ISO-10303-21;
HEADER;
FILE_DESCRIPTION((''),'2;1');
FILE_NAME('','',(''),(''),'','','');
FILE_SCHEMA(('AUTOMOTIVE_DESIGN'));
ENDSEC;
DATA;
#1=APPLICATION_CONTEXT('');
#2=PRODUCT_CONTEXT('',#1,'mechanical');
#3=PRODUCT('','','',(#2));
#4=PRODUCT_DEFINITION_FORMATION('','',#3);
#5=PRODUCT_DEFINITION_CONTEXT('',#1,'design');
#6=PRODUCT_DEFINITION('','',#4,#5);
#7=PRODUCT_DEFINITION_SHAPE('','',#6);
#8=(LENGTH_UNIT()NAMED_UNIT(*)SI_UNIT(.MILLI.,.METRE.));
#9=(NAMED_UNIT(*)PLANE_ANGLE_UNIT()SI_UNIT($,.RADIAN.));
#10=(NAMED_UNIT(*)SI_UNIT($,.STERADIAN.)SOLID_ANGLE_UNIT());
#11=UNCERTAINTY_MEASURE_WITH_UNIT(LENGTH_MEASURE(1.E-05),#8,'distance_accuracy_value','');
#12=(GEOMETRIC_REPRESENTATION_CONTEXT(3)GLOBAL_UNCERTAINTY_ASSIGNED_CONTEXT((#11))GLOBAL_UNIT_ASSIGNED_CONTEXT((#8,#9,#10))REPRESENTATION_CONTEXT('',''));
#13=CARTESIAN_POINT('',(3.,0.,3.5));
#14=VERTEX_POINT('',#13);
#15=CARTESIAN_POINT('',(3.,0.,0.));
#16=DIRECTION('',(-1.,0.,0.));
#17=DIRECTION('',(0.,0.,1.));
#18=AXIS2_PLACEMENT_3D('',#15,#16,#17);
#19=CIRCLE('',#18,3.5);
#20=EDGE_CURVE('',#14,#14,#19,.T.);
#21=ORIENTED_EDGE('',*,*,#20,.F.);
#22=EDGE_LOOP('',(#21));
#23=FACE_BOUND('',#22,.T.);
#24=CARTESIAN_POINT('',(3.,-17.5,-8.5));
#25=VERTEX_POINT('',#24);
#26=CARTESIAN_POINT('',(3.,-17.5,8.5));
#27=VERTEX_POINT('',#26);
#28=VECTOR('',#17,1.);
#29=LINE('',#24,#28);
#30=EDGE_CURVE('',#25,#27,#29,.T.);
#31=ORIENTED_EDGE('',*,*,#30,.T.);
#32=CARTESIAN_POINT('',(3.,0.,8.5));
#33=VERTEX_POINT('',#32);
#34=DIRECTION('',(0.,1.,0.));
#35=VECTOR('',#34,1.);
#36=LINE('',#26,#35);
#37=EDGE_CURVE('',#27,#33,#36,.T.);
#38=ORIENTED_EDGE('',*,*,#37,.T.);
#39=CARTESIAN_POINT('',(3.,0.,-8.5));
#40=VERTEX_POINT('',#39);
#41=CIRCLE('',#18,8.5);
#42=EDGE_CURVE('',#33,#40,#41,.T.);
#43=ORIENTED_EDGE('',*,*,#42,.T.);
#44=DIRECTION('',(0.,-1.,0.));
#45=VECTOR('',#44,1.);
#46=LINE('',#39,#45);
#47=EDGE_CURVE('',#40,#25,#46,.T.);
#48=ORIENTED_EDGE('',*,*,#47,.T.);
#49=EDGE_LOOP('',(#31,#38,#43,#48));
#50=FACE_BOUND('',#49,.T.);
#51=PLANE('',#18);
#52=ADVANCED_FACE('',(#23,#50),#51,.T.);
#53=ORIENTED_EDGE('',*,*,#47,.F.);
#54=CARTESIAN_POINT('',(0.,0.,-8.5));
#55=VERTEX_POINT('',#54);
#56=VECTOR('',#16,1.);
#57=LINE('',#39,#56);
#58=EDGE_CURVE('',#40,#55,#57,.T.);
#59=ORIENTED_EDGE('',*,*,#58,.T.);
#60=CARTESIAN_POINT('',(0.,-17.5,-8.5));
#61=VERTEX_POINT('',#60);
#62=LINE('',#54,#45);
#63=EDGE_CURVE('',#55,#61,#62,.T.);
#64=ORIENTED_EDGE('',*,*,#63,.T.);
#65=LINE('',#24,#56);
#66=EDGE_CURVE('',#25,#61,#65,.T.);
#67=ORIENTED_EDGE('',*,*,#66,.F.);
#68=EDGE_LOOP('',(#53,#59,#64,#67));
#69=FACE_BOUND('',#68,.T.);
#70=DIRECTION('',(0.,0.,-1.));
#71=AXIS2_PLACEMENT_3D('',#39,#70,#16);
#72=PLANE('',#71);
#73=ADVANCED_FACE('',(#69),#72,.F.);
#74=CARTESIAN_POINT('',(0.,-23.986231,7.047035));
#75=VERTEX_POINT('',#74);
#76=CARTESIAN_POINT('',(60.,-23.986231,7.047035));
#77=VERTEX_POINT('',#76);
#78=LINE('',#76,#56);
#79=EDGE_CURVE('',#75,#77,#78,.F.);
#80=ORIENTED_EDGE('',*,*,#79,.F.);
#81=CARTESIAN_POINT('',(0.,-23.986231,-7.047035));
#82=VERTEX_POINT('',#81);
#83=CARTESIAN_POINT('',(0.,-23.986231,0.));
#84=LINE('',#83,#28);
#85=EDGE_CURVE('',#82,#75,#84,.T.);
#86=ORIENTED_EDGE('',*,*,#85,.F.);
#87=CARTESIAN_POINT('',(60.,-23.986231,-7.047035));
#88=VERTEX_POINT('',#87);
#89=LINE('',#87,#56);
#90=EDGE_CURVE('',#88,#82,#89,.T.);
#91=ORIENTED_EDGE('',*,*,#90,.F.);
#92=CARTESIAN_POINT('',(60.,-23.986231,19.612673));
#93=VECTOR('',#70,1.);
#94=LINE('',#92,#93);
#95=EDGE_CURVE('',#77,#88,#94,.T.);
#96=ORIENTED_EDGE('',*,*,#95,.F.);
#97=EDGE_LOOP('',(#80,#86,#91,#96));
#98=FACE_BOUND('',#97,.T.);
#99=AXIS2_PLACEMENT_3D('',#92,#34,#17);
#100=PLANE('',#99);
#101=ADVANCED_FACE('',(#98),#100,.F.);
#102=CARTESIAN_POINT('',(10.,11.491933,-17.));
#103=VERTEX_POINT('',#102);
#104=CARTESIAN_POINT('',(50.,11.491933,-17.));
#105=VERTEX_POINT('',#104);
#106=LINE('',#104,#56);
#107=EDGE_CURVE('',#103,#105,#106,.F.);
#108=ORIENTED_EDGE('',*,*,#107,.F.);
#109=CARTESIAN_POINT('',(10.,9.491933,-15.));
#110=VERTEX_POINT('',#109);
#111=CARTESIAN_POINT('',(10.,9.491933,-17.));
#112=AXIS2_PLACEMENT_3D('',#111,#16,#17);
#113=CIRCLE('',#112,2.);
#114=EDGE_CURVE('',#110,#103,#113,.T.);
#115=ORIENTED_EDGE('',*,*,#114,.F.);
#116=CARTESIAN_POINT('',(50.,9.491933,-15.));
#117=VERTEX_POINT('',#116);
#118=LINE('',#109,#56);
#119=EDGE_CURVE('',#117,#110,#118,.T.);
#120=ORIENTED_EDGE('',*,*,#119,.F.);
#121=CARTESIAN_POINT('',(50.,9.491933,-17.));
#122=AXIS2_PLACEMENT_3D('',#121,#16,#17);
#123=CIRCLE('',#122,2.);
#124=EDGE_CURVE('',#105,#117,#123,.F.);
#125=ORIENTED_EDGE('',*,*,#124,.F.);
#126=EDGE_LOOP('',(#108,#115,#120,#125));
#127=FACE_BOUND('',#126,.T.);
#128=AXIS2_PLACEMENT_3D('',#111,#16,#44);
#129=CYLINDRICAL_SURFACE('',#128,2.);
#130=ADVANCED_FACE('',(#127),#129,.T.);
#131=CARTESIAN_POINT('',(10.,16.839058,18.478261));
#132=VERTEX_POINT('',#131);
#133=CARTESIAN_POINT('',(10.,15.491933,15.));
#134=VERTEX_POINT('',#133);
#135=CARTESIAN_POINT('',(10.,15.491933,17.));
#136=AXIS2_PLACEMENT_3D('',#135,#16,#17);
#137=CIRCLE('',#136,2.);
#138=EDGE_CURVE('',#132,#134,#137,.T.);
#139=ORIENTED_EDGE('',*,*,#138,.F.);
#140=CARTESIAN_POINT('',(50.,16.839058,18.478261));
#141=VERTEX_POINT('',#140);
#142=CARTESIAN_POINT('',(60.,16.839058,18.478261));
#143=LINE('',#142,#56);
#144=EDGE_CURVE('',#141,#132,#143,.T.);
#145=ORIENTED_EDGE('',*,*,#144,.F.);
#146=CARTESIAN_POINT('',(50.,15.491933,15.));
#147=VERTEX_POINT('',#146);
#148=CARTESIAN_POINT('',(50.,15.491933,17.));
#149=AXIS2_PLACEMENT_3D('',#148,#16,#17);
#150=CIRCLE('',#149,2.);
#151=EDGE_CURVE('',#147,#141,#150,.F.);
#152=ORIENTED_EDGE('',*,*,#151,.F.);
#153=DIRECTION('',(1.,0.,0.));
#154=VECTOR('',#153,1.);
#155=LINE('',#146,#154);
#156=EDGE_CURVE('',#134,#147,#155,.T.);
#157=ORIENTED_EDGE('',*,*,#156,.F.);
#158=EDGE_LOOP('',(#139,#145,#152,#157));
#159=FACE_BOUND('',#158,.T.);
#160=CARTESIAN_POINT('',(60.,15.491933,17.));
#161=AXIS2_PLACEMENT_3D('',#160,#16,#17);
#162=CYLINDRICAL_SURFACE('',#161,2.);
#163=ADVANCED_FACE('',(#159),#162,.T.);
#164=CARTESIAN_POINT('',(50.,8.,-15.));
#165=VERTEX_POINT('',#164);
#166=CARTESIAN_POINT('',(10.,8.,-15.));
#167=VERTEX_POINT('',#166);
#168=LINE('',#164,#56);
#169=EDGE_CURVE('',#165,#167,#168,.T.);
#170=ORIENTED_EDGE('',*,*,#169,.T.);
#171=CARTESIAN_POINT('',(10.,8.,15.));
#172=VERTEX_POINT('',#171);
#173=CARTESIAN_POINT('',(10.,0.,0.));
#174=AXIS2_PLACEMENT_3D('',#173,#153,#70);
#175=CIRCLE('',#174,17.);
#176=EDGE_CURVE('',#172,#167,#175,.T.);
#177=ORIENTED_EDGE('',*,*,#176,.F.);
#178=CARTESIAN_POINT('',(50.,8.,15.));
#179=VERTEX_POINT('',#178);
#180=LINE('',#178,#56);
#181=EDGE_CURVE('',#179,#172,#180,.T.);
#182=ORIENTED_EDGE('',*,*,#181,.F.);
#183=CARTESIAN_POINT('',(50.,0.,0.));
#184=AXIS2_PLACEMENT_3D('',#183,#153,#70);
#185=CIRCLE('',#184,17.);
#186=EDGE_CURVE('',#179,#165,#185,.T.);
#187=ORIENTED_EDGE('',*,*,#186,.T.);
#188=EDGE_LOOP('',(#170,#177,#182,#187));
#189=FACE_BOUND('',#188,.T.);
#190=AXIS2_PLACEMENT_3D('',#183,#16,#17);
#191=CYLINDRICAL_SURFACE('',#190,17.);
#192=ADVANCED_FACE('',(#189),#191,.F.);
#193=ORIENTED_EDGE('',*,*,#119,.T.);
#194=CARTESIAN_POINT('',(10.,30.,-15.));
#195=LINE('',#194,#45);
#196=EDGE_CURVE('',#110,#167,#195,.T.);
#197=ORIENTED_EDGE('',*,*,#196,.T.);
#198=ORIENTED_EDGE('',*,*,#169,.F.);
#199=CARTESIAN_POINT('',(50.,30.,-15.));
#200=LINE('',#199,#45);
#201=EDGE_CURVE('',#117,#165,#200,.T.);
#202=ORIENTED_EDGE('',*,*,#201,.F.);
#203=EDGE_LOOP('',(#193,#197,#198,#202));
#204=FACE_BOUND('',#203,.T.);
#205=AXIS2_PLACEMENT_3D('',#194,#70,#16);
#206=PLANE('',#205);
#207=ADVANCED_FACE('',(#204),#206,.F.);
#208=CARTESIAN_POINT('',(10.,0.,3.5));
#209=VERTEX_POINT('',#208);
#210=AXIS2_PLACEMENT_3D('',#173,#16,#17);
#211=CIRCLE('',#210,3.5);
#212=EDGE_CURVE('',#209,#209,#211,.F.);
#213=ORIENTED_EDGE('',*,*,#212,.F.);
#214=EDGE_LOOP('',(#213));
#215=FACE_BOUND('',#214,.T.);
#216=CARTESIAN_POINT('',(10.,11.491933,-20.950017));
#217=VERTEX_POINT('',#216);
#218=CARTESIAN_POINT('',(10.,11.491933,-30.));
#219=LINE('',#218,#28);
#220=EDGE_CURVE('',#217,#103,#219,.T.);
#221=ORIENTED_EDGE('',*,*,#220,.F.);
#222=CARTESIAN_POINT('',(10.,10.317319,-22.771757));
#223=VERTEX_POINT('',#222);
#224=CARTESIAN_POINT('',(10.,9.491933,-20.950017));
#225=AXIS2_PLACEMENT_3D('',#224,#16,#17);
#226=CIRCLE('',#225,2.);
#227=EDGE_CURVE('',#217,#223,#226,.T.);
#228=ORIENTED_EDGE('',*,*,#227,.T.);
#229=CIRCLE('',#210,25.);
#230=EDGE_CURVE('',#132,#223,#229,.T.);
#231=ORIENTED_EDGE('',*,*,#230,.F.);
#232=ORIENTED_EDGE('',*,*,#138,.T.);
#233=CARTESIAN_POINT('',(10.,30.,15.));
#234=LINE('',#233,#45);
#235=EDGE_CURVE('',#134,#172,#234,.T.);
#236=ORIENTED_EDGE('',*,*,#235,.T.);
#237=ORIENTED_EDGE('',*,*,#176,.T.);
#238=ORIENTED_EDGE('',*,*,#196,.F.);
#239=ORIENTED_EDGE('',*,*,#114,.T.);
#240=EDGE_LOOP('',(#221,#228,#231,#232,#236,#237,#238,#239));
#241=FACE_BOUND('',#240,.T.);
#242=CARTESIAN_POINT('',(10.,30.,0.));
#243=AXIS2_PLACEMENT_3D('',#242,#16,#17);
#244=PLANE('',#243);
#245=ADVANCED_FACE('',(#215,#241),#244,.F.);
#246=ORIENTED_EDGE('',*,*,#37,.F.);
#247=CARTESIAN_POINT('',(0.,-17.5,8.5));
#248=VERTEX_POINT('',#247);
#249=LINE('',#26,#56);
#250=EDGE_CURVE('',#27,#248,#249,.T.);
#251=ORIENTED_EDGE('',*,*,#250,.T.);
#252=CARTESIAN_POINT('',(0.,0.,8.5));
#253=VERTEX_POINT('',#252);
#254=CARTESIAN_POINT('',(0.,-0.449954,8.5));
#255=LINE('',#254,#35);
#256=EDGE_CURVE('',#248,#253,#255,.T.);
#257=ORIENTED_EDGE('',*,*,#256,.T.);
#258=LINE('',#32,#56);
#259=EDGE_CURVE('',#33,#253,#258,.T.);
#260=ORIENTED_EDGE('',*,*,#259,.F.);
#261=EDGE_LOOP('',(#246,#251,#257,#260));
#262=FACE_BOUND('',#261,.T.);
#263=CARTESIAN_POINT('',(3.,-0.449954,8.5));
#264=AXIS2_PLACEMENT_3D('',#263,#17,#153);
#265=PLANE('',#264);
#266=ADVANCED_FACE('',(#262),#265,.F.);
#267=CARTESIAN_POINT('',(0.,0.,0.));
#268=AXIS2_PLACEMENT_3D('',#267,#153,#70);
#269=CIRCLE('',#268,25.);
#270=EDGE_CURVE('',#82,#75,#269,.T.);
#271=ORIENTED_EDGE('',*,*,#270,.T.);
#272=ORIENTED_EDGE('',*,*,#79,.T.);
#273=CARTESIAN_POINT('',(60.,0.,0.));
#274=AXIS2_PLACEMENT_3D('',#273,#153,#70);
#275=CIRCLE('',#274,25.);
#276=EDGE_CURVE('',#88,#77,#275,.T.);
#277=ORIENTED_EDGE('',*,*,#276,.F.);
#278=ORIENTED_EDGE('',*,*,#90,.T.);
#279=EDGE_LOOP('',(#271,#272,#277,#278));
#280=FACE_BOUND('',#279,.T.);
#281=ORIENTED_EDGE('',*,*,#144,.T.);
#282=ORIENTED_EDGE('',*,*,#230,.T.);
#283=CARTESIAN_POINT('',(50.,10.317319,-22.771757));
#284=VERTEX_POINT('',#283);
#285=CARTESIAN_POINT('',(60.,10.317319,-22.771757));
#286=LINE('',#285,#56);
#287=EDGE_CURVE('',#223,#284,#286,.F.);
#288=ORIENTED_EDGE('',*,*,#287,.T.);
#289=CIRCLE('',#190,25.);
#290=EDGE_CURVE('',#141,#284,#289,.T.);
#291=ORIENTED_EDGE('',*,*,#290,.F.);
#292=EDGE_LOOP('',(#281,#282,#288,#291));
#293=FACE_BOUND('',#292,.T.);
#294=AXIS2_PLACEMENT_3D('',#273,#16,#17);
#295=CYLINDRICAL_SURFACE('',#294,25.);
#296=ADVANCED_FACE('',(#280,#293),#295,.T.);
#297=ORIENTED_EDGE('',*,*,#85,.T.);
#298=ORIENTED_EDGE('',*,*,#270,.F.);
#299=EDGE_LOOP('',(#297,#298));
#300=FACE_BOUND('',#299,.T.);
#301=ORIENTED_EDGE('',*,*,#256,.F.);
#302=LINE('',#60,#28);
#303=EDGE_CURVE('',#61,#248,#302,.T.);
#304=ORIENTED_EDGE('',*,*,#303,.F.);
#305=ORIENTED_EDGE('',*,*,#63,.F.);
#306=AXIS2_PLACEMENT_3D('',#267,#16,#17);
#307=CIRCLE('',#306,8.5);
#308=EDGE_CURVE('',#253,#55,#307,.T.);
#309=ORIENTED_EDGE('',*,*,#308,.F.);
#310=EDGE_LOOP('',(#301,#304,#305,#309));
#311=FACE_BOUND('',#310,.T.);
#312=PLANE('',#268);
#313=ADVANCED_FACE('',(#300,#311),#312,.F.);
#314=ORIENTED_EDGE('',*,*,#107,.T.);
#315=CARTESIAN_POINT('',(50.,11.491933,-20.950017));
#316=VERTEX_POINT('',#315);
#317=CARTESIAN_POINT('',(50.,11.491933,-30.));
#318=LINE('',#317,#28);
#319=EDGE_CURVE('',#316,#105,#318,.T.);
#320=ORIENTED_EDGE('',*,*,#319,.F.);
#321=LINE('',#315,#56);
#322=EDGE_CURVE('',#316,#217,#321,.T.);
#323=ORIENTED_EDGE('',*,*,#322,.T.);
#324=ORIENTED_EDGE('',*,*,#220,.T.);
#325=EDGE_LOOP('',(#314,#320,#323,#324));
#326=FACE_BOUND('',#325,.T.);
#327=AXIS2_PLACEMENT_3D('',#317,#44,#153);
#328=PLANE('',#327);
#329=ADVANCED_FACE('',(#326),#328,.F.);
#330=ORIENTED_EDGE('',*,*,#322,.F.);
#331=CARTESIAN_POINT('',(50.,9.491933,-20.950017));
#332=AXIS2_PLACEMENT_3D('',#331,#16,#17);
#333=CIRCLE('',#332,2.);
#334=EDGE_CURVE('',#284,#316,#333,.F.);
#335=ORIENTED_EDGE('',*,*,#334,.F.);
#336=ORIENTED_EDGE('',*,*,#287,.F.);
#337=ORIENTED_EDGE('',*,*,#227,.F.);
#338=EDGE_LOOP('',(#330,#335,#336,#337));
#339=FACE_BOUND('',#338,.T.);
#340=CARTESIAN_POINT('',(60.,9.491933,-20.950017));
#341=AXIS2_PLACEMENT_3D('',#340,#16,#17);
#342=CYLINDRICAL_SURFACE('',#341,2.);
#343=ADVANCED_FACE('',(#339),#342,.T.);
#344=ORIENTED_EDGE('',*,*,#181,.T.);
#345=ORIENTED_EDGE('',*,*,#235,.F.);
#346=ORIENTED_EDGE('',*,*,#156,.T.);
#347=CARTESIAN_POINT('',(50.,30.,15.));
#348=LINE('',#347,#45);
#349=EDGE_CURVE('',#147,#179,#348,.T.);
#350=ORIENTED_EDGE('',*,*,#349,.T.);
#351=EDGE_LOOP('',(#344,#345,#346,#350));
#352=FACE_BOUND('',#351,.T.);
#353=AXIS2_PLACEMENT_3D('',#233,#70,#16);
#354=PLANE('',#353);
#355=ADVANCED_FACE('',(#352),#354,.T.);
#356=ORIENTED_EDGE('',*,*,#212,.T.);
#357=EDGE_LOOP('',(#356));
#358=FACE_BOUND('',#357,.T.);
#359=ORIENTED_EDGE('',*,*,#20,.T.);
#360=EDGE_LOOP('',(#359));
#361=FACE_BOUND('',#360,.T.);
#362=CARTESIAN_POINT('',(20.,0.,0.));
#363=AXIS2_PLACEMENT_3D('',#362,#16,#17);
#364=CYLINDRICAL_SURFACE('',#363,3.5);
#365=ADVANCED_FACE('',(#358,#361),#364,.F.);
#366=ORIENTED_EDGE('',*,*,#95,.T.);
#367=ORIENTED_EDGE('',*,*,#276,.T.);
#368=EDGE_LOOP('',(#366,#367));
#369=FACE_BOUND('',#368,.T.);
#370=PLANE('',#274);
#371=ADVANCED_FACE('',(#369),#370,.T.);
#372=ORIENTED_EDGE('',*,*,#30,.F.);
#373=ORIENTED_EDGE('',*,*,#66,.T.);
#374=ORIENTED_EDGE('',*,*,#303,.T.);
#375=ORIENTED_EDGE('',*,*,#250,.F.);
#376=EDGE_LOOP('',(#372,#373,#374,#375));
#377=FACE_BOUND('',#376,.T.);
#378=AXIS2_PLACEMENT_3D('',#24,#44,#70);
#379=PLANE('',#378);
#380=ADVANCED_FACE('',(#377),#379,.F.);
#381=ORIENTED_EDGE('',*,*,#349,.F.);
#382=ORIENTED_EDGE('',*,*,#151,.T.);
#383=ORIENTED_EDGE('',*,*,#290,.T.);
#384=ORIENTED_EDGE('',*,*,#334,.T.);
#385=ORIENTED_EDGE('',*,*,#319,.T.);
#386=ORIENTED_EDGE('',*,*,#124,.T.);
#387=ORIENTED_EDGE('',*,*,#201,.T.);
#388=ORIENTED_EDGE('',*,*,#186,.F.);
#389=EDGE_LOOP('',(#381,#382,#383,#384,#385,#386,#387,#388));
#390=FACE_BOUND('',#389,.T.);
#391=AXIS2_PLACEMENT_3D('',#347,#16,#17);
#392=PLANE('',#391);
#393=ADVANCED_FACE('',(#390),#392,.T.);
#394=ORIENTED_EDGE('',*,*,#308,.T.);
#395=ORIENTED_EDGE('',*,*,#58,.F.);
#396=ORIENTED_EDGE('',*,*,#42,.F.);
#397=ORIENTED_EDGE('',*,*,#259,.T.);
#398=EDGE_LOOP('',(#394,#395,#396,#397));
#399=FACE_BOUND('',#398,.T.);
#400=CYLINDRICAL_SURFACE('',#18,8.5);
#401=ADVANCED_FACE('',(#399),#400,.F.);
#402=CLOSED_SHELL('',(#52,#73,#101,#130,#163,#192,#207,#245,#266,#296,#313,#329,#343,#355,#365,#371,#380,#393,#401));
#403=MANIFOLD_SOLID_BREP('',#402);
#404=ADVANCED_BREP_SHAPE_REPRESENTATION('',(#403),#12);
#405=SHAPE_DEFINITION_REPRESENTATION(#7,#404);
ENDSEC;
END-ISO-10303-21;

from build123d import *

# Parameters (mm, degrees)
SKETCH2_R               = 25
BOSS_EXTRUDE1_DEPTH     = 60
CUT_EXTRUDE3_DEPTH      = 30
CUT_EXTRUDE4_DEPTH      = 20
CUT_EXTRUDE4_DEPTH_BACK = 20
SKETCH5_R               = 17
FILLET3_R               = 2
SKETCH6_R               = 3.5
CUT_EXTRUDE5_DEPTH      = 20
CUT_EXTRUDE7_DEPTH      = 3
CUT_EXTRUDE8_DEPTH      = 70.641941386
SKETCH9_W               = 40
SKETCH9_H               = 6
CUT_EXTRUDE9_DEPTH      = 30
FILLET5_R               = 2


with BuildPart() as part:
    # Sketch2 → Boss-Extrude1 (new body)
    with BuildSketch(Plane(origin=(0, 0, 0), x_dir=(0, 0, -1), z_dir=(1, 0, 0))):
        Circle(SKETCH2_R)
    extrude(amount=BOSS_EXTRUDE1_DEPTH)

    # Sketch4 → Cut-Extrude3 (cut)
    with BuildSketch(Plane(origin=(0, 0, 0), x_dir=(1, 0, 0), z_dir=(0, 1, 0))):
        Polygon((10, 0), (10, 15), (50, 15), (50, -15), (10, -15), align=None)
    extrude(amount=CUT_EXTRUDE3_DEPTH, mode=Mode.SUBTRACT)

    # Sketch5 → Cut-Extrude4 (cut, two sides: drawn at the far end of the back side and taken through both)
    with BuildSketch(Plane(origin=(30, 0, 0), x_dir=(0, 0, -1), z_dir=(1, 0, 0)).offset(-CUT_EXTRUDE4_DEPTH_BACK)):
        Circle(SKETCH5_R)
    extrude(amount=CUT_EXTRUDE4_DEPTH + CUT_EXTRUDE4_DEPTH_BACK, mode=Mode.SUBTRACT)

    # Fillet3
    fillet3_edges = [part.edges().sort_by_distance(p)[0] for p in [
        (30, 20, -15),
        (30, 20, 15),
    ]]
    fillet(fillet3_edges, radius=FILLET3_R)

    # Sketch6 → Cut-Extrude5 (cut)
    with BuildSketch(Plane(origin=(0, 0, 0), x_dir=(0, 0, -1), z_dir=(1, 0, 0))):
        with Locations(Location((0, 0, 0), (0, 0, 180))):
            Circle(SKETCH6_R)
    extrude(amount=CUT_EXTRUDE5_DEPTH, mode=Mode.SUBTRACT)

    # Sketch7 → Cut-Extrude7 (cut)
    with BuildSketch(Plane(origin=(0, 0, 0), x_dir=(0, 0, -1), z_dir=(1, 0, 0))):
        with BuildLine():
            Line((-8.5, -0.449954403), (-8.5, 0))
            ThreePointArc((-8.5, 0), (0, 8.5), (8.5, 0))
            Line((8.5, 0), (8.5, -17.5))
            Line((8.5, -17.5), (-8.5, -17.5))
            Line((-8.5, -17.5), (-8.5, -0.449954403))
        make_face()
    extrude(amount=CUT_EXTRUDE7_DEPTH, mode=Mode.SUBTRACT)

    # Sketch8 → Cut-Extrude8 (cut, through all)
    with BuildSketch(Plane(origin=(0, 0, 0), x_dir=(0, 0, -1), z_dir=(1, 0, 0))):
        Polygon((0, -25), (-19.612673496, -25), (-19.612673496, -23.986231348), (13.394020924, -23.986231348), (13.394020924, -25), align=None)
    extrude(amount=CUT_EXTRUDE8_DEPTH, mode=Mode.SUBTRACT)

    # Sketch9 → Cut-Extrude9 (cut)
    with BuildSketch(Plane.XY):
        with Locations((30, 14.491933385)):
            Rectangle(SKETCH9_W, SKETCH9_H)
    extrude(amount=-CUT_EXTRUDE9_DEPTH, mode=Mode.SUBTRACT)

    # Fillet5
    fillet5_edges = [part.edges().sort_by_distance(p)[0] for p in [
        (30, 11.491933385, -15),
        (30, 11.491933385, -22.202150055),
    ]]
    fillet(fillet5_edges, radius=FILLET5_R)


solid = part.part
